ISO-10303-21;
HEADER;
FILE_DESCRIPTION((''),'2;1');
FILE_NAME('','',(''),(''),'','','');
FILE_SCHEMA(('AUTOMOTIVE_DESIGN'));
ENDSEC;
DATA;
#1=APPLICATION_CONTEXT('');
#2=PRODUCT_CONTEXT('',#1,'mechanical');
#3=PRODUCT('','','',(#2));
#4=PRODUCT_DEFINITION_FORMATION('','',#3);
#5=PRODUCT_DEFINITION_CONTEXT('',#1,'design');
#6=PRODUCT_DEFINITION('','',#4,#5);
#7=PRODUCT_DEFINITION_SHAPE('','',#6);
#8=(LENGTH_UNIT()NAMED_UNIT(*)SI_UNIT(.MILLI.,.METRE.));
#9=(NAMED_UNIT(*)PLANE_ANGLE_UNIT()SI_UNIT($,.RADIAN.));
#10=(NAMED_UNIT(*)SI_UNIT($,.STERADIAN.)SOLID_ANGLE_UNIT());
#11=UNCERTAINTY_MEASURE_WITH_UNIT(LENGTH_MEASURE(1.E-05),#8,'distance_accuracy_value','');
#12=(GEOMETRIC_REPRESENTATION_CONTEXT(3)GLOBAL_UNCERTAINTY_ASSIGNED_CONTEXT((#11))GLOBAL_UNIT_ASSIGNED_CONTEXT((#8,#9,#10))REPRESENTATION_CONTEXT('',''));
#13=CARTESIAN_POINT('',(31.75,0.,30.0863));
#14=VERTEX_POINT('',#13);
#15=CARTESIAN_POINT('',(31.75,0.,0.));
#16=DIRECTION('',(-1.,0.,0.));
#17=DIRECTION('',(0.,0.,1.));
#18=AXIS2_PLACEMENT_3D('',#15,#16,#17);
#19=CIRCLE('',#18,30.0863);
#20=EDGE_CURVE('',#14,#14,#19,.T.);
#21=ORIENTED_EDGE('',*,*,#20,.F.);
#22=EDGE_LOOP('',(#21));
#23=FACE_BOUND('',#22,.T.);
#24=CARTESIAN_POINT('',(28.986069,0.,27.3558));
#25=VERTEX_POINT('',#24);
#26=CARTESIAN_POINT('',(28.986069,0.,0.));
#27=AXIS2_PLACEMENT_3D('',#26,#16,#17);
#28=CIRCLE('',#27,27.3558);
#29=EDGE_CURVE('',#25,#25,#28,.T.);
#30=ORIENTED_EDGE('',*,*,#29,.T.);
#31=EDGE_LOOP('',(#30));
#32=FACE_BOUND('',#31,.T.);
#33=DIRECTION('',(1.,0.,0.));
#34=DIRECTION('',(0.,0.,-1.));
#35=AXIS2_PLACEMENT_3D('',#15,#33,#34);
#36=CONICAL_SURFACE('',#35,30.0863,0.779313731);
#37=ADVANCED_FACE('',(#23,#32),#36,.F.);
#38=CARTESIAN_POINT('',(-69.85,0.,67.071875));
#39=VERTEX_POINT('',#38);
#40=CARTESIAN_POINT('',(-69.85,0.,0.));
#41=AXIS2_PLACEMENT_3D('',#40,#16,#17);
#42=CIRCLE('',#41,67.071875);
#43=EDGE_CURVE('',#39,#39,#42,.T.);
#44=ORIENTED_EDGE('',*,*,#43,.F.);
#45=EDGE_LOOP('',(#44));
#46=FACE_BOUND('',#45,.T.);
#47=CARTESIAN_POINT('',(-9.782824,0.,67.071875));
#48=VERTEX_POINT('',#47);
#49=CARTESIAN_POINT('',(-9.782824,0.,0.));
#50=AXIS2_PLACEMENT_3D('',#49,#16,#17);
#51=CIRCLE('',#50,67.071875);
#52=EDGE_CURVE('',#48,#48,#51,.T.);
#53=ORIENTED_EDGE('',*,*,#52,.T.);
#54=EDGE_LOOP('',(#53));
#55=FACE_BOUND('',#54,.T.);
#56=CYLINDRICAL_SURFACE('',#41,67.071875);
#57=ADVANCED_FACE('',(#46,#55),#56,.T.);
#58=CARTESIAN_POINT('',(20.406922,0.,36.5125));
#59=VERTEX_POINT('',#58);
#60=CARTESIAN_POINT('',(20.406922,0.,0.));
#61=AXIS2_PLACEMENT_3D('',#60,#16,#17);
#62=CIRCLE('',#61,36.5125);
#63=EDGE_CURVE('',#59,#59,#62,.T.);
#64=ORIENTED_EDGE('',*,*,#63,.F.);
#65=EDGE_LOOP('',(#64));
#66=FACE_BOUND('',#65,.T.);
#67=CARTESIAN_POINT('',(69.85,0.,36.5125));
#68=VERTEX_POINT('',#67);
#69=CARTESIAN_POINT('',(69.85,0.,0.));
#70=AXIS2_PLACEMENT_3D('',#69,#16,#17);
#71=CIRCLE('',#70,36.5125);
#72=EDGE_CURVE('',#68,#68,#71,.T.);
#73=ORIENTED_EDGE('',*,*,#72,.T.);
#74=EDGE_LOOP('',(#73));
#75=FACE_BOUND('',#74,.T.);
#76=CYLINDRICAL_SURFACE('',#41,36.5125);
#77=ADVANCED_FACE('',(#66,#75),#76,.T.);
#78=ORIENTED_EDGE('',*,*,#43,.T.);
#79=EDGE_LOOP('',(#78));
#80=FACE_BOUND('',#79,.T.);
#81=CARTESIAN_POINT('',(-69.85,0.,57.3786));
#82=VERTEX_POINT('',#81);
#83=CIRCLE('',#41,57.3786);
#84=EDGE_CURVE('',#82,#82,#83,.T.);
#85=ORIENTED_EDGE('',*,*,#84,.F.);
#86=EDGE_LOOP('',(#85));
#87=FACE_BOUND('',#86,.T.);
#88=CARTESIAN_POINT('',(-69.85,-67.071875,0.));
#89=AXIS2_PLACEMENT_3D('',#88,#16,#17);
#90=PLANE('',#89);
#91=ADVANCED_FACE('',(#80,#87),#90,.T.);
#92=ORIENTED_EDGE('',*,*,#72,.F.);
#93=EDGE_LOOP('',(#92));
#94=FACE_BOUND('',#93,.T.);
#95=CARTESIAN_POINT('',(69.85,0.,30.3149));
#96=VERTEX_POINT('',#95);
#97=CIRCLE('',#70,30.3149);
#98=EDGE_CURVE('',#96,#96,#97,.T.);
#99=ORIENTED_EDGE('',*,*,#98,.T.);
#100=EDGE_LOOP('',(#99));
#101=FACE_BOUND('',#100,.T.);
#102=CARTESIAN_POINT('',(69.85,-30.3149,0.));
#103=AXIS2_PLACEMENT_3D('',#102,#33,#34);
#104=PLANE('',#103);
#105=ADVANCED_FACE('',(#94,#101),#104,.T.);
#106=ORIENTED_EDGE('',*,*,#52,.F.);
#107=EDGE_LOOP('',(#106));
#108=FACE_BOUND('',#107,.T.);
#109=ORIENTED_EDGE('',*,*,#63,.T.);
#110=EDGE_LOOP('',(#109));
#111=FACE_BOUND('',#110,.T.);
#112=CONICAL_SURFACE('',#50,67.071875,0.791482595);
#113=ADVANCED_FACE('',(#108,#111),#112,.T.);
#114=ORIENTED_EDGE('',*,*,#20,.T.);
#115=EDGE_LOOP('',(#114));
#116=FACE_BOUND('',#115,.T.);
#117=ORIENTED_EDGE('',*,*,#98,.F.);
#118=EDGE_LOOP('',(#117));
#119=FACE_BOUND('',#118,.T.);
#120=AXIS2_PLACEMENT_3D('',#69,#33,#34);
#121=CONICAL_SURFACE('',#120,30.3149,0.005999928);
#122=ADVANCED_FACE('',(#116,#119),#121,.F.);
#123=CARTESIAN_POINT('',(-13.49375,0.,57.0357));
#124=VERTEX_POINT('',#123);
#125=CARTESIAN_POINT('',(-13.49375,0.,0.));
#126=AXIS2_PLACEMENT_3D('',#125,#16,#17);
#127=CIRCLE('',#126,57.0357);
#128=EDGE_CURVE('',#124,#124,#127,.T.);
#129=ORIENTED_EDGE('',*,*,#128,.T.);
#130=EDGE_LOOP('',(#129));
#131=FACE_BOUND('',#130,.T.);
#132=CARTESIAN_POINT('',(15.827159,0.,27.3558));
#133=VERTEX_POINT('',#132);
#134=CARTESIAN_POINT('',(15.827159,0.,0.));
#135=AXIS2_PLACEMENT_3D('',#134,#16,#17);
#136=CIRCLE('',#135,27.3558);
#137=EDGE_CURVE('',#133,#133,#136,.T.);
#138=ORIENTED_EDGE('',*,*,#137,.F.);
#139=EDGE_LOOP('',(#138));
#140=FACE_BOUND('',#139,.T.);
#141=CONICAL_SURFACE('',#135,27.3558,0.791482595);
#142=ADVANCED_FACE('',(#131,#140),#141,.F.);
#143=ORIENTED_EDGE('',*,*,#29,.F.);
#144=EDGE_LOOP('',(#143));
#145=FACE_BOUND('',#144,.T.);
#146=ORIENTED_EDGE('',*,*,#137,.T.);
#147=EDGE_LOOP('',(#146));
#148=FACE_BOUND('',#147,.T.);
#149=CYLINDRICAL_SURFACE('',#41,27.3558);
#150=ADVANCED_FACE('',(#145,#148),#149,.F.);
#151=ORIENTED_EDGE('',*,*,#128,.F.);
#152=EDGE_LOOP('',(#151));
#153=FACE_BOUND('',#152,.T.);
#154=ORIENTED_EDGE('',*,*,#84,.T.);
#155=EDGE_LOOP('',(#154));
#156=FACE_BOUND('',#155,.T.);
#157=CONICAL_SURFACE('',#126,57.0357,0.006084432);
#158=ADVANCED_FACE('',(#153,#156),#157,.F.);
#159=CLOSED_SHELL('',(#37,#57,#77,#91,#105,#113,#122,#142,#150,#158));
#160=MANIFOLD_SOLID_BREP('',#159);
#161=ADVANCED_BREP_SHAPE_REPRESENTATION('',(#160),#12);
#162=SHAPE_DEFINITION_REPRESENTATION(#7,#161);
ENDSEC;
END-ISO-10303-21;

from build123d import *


with BuildPart() as part:
    # Sketch1 → Revolve1 (revolve)
    with BuildSketch(Plane.XY):
        Polygon((-13.49375, -57.0357), (15.827159161, -27.3558), (28.986069096, -27.3558), (31.75, -30.0863), (69.85, -30.3149), (69.85, -36.5125), (20.406922282, -36.5125), (-9.78282426, -67.071875), (-69.85, -67.071875), (-69.85, -57.3786), align=None)
    revolve(axis=Axis((-69.85, 0, 0), (1, 0, 0)))


solid = part.part
